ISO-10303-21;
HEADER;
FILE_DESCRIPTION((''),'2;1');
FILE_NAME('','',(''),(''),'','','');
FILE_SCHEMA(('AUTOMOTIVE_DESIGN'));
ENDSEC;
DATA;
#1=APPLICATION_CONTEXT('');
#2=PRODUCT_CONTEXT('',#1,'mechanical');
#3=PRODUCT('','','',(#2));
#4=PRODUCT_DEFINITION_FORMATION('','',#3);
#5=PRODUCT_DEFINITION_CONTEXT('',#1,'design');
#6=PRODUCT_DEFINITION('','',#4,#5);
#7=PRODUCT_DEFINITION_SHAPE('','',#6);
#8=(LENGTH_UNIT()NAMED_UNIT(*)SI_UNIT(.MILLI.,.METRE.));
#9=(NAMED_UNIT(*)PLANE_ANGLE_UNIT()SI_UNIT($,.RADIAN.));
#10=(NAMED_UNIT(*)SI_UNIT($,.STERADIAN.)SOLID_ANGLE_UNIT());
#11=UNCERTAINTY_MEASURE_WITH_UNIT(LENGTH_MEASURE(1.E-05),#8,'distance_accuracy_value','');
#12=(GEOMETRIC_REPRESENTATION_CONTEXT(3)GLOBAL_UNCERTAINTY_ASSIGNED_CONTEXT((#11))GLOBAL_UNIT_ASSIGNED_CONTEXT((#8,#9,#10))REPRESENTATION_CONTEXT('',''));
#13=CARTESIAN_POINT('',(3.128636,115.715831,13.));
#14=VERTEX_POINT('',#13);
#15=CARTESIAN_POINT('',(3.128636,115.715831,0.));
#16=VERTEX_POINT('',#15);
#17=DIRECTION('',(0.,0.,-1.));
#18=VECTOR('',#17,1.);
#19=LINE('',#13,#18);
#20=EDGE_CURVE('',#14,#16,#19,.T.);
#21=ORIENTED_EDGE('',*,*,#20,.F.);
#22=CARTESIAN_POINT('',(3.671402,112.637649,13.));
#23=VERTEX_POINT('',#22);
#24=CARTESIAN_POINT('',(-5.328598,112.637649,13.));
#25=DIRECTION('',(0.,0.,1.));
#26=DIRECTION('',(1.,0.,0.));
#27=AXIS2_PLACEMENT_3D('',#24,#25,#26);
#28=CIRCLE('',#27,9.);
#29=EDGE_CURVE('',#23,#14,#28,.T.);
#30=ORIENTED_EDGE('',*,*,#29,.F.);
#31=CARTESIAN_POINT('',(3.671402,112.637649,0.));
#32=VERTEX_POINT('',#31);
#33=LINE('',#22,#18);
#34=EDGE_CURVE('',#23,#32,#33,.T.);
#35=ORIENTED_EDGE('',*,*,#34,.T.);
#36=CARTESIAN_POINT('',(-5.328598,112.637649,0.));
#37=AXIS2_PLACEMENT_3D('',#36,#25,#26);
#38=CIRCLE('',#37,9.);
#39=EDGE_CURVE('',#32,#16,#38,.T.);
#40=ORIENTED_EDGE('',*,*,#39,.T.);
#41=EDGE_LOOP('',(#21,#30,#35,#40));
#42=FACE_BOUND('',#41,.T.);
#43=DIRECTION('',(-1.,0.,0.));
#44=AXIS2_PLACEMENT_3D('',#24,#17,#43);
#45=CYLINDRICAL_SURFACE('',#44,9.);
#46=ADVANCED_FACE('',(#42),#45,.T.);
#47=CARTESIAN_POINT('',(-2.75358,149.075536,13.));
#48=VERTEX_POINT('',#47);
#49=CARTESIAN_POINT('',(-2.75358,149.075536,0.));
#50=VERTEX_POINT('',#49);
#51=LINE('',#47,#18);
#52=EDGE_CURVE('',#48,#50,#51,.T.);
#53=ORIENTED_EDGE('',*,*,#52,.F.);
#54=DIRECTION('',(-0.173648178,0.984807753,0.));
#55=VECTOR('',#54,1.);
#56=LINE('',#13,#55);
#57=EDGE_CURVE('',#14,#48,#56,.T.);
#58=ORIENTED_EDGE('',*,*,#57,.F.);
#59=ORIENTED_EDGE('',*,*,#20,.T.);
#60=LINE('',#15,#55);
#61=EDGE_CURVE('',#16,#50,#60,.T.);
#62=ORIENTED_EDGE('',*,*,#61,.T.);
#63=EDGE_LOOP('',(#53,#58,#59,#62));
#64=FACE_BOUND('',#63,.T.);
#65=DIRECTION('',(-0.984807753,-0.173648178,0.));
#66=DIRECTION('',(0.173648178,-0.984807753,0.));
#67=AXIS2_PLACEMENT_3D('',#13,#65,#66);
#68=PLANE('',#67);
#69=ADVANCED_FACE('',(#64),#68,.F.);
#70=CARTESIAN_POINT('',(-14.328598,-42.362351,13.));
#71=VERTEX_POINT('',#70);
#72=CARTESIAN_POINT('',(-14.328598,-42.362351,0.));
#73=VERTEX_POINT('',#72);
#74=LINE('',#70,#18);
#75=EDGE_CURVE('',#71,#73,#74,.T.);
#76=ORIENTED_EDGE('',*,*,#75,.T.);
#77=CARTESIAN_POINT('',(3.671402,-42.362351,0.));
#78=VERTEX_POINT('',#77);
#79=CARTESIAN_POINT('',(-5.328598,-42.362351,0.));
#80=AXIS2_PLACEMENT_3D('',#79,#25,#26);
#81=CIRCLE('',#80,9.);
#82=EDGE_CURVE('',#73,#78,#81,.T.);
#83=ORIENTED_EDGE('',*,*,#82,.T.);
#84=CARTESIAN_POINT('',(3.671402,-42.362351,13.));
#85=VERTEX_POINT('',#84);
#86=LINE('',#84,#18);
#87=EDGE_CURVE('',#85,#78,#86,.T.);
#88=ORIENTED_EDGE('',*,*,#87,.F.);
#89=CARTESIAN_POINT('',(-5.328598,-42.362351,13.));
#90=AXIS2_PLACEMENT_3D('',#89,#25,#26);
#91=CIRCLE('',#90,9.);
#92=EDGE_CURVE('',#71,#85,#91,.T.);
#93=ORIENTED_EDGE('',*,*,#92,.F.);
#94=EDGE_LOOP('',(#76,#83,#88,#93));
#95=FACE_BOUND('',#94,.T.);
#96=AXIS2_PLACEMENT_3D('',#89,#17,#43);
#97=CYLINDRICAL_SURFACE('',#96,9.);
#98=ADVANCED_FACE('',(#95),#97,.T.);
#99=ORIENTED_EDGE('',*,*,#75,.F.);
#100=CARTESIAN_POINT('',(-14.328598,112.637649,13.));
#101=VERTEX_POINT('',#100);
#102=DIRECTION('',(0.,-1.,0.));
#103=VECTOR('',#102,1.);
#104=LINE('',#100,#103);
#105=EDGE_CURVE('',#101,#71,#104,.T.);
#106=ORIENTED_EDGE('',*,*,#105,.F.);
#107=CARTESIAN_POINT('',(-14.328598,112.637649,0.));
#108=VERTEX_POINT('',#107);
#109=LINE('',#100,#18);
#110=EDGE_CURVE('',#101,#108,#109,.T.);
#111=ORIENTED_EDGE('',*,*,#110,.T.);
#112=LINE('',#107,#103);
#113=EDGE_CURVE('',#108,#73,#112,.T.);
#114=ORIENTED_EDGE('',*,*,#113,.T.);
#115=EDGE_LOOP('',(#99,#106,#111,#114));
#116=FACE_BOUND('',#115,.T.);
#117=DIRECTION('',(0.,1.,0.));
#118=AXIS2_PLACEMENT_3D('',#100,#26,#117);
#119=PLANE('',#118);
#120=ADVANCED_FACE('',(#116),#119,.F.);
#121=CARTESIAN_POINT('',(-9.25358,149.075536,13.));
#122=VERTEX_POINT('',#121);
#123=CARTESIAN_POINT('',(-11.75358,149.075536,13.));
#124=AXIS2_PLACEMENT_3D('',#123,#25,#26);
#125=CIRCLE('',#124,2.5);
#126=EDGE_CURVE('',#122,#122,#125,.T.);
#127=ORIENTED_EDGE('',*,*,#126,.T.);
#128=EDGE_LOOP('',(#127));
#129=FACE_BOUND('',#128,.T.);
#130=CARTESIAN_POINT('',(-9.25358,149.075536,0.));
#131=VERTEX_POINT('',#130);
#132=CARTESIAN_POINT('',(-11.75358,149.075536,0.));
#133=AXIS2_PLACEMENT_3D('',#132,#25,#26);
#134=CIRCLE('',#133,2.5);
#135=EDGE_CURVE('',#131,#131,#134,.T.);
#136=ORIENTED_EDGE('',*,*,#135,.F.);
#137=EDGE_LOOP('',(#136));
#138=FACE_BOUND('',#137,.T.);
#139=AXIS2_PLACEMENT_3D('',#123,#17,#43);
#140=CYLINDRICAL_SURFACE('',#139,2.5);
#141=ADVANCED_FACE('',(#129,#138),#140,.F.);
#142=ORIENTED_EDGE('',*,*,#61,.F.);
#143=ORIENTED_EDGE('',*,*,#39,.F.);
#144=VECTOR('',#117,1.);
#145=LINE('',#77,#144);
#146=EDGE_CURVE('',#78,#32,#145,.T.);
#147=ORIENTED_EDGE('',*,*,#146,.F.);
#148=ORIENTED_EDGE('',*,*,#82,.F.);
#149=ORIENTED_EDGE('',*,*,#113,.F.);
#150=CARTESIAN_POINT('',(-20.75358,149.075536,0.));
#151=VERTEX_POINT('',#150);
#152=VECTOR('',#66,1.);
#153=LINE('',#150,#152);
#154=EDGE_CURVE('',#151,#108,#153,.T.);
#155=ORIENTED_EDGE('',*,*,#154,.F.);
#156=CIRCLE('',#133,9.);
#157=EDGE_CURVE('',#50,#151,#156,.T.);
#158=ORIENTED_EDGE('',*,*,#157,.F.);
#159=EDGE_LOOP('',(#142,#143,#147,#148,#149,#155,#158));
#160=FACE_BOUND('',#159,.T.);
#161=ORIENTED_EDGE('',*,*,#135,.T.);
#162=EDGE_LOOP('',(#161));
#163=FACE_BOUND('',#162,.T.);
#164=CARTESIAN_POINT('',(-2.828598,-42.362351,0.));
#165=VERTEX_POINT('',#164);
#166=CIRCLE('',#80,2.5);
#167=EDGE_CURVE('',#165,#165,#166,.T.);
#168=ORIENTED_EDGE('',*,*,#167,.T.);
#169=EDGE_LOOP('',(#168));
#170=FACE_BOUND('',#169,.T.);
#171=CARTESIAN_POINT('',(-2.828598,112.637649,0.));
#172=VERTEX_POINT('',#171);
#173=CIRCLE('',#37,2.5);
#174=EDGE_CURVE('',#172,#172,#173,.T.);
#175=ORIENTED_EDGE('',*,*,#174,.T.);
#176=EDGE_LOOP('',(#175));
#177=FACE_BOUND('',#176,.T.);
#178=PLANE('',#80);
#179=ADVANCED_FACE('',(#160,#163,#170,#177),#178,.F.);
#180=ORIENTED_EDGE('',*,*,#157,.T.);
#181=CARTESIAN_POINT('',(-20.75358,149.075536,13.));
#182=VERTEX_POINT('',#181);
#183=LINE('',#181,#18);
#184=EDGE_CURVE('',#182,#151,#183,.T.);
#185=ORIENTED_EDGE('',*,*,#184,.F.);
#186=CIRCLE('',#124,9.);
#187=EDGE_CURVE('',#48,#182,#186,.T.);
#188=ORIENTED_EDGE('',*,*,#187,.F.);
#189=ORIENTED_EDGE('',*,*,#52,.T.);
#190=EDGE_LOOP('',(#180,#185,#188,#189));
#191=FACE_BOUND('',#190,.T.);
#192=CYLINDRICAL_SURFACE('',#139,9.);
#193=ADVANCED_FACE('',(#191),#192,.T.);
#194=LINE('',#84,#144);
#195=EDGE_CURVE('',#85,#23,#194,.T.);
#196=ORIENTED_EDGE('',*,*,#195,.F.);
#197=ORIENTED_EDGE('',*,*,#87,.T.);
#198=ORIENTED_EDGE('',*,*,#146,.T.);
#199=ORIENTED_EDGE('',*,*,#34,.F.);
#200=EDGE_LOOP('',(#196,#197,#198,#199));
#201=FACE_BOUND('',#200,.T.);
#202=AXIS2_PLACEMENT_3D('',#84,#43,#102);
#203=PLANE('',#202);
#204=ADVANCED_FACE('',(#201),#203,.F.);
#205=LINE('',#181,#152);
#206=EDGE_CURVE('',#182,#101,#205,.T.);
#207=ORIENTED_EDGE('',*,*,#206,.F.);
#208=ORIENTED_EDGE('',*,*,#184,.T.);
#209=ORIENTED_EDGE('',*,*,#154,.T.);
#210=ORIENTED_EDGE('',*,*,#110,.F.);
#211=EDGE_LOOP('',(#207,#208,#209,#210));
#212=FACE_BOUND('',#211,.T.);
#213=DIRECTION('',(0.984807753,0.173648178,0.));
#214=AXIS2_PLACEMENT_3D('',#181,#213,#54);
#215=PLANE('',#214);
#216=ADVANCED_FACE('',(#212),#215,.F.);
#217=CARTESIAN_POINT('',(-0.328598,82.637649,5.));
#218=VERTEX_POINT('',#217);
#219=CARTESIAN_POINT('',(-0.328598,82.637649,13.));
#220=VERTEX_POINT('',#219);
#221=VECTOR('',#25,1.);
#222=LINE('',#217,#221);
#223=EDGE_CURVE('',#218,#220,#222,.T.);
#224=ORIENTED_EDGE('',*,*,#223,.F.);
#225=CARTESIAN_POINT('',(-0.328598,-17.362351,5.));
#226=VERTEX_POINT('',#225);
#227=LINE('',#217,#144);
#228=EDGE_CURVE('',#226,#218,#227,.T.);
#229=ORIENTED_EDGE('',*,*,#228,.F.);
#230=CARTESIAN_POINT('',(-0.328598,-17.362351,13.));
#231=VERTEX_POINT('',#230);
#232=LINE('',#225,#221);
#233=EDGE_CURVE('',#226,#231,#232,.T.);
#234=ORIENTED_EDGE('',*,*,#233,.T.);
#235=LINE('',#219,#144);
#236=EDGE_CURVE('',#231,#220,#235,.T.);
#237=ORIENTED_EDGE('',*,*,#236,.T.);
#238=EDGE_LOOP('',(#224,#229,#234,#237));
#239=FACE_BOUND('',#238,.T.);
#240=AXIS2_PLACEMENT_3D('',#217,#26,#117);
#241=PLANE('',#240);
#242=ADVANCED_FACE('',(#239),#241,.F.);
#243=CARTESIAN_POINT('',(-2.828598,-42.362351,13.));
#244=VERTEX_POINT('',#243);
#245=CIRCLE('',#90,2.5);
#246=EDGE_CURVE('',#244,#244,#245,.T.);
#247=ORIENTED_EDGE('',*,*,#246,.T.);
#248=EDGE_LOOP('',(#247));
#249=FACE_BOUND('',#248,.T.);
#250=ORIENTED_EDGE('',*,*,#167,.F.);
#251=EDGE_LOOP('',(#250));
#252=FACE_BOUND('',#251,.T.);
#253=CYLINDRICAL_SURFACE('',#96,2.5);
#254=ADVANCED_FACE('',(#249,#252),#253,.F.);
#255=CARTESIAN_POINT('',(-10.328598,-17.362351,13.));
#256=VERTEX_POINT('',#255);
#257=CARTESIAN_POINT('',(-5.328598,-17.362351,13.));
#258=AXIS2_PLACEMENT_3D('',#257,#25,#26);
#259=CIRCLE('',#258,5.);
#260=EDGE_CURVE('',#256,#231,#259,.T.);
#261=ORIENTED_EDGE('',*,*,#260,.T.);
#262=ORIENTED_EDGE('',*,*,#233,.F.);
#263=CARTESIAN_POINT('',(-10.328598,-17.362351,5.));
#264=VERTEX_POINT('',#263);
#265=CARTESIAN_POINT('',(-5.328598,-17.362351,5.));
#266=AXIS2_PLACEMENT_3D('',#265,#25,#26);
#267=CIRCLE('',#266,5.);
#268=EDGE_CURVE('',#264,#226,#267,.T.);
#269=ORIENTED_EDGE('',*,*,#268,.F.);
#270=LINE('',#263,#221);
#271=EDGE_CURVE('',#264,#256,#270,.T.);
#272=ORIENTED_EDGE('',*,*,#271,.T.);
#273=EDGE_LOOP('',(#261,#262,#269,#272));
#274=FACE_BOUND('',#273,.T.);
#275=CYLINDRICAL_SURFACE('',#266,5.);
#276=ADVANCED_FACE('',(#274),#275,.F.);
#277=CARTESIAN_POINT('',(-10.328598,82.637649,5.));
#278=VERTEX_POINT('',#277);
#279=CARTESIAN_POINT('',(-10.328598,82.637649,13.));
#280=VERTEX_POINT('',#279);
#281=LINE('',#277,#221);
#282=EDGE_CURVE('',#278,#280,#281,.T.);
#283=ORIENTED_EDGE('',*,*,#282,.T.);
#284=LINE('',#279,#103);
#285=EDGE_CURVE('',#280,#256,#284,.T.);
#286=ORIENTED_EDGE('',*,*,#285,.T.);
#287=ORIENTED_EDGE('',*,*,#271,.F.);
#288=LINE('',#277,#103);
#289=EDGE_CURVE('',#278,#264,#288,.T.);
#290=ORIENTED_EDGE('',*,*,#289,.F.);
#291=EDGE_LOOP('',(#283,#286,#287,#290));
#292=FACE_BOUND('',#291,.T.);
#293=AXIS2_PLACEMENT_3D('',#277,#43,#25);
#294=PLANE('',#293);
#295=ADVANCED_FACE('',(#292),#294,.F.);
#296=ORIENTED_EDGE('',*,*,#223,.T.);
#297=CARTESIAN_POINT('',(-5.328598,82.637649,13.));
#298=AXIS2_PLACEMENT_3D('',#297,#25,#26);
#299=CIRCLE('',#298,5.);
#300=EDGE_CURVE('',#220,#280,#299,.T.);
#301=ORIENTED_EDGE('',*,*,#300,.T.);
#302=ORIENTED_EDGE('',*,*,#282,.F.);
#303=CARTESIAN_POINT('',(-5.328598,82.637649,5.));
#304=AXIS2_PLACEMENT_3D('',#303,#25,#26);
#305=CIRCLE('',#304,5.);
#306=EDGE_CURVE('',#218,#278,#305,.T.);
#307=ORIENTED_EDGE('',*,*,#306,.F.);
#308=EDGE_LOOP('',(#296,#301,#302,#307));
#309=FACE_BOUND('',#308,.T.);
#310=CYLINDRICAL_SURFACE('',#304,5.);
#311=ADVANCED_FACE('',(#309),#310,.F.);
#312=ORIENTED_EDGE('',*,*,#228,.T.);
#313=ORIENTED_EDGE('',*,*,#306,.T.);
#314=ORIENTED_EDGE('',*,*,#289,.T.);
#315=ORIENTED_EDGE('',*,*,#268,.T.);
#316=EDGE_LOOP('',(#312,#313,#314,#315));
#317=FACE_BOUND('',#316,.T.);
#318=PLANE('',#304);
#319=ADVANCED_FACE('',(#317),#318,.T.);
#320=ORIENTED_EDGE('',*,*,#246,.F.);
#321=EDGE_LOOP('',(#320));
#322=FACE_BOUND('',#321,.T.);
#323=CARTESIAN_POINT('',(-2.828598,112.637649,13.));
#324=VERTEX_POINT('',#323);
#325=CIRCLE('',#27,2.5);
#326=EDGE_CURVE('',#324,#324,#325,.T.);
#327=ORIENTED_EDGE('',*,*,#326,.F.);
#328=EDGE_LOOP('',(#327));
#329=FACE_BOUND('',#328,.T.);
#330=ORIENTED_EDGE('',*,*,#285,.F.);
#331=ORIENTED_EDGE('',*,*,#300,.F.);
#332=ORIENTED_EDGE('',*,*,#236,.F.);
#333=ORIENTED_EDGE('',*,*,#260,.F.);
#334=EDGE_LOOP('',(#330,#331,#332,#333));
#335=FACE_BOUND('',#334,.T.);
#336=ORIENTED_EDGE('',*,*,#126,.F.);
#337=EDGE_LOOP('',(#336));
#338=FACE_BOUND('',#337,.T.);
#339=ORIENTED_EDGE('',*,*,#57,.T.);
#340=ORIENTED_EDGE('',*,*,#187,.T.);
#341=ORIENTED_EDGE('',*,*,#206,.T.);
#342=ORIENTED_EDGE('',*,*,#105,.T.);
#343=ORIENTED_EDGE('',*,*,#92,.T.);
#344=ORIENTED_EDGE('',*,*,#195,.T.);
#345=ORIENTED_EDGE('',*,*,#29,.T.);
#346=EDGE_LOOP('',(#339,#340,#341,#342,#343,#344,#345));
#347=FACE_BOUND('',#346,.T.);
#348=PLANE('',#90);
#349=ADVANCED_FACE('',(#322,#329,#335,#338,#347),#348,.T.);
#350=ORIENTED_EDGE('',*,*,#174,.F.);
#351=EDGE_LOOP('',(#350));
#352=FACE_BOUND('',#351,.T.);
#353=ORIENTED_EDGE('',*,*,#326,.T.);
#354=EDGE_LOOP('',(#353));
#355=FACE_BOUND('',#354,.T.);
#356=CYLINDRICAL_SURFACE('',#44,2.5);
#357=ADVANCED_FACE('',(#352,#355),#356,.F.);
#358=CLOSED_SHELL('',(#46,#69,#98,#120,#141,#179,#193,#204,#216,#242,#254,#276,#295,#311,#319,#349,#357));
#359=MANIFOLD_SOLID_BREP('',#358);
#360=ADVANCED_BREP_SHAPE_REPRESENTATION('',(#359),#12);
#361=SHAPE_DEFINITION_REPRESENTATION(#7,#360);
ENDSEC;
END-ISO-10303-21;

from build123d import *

# Parameters (mm, degrees)
SKETCH1_R      = 2.5
EXTRUDE1_DEPTH = 13
EXTRUDE2_DEPTH = 8


with BuildPart() as part:
    # Sketch1 → Extrude1 (new body)
    with BuildSketch(Plane.XY):
        with BuildLine():
            Line((-14.328597561, 112.637649389), (-14.328597561, -42.362350611))
            ThreePointArc((-14.328597561, -42.362350611), (-5.328597561, -51.362350611), (3.671402439, -42.362350611))
            Line((3.671402439, -42.362350611), (3.671402439, 112.637649389))
            ThreePointArc((3.671402439, 112.637649389), (3.534672216, 114.200482988), (3.128636026, 115.715830679))
            Line((3.128636026, 115.715830679), (-2.753580135, 149.07553625))
            ThreePointArc((-2.753580135, 149.07553625), (-11.753580135, 158.07553625), (-20.753580135, 149.07553625))
            Line((-20.753580135, 149.07553625), (-14.328597561, 112.637649389))
        make_face()
        with Locations((-5.328597561, 112.637649389)):
            Circle(SKETCH1_R, mode=Mode.SUBTRACT)
        with Locations((-5.328597561, -42.362350611)):
            Circle(SKETCH1_R, mode=Mode.SUBTRACT)
        with Locations((-11.753580135, 149.07553625)):
            Circle(SKETCH1_R, mode=Mode.SUBTRACT)
    extrude(amount=EXTRUDE1_DEPTH)

    # Sketch2 → Extrude2 (cut)
    with BuildSketch(Plane.XY.offset(13)):
        with BuildLine():
            Line((-0.328597561, 82.637649389), (-0.328597561, -17.362350611))
            ThreePointArc((-0.328597561, -17.362350611), (-5.328597561, -22.362350611), (-10.328597561, -17.362350611))
            Line((-10.328597561, -17.362350611), (-10.328597561, 82.637649389))
            ThreePointArc((-10.328597561, 82.637649389), (-5.328597561, 87.637649389), (-0.328597561, 82.637649389))
        make_face()
    extrude(amount=-EXTRUDE2_DEPTH, mode=Mode.SUBTRACT)


solid = part.part
